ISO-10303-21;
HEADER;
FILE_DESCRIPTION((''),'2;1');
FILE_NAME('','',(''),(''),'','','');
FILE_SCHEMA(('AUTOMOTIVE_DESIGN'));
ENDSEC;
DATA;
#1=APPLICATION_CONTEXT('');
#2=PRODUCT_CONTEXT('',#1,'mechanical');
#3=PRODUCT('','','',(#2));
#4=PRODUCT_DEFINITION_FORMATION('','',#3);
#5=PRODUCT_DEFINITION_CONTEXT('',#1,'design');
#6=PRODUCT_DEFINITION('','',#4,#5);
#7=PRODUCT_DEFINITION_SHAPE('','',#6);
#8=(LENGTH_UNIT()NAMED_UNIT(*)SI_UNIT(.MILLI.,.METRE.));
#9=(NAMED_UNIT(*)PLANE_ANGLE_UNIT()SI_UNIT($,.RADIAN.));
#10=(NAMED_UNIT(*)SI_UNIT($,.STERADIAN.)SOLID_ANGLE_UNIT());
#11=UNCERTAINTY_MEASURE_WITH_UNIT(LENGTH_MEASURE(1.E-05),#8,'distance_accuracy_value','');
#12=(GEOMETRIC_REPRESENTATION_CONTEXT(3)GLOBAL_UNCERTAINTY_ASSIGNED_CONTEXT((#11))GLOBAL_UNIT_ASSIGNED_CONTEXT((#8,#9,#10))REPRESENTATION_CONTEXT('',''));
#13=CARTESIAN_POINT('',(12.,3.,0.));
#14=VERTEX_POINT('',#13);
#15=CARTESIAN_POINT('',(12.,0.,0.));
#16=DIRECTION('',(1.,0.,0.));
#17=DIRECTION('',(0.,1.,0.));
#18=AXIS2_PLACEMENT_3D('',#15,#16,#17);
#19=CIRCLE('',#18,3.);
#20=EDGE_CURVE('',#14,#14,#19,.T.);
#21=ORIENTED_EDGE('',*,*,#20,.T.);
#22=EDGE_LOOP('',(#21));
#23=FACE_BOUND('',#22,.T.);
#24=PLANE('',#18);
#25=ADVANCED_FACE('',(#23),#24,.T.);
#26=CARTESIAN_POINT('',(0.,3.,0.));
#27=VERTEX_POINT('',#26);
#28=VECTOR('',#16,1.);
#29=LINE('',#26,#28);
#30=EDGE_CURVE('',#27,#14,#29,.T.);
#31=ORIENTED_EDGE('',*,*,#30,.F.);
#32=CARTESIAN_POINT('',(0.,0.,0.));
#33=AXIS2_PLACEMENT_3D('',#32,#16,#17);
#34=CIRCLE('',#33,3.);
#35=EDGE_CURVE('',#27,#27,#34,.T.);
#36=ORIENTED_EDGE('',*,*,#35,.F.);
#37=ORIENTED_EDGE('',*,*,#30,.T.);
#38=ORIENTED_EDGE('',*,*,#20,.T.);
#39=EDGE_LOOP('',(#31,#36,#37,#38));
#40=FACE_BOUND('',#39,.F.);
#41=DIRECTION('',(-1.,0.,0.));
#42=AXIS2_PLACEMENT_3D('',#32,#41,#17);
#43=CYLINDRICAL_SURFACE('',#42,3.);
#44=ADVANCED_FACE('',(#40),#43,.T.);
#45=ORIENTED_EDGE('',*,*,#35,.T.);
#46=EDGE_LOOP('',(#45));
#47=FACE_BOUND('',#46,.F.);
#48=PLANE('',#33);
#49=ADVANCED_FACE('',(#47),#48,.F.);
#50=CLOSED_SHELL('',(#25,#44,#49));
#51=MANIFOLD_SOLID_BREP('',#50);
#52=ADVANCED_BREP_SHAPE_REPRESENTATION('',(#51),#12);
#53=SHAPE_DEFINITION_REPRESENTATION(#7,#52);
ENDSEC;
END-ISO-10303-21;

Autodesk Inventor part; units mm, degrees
ref_plane "YZ Plane" through (0, 0, 0) normal (1, 0, 0) x (0, 1, 0)
ref_plane "XZ Plane" through (0, 0, 0) normal (0, 1, 0) x (-1, 0, 0)
ref_plane "XY Plane" through (0, 0, 0) normal (0, 0, 1) x (1, 0, 0)
sketch "Sketch1" plane through (0, 0, 0) normal (1, 0, 0) x (0, 1, 0)
  circle A0 centre (0, 0) radius 3
  dimension "d0" = 6
extrude "Extrusion1" add sketch "Sketch1" along normal blind 12
properties part number "Part4_PASADOR12" material "Iron, Gray"
